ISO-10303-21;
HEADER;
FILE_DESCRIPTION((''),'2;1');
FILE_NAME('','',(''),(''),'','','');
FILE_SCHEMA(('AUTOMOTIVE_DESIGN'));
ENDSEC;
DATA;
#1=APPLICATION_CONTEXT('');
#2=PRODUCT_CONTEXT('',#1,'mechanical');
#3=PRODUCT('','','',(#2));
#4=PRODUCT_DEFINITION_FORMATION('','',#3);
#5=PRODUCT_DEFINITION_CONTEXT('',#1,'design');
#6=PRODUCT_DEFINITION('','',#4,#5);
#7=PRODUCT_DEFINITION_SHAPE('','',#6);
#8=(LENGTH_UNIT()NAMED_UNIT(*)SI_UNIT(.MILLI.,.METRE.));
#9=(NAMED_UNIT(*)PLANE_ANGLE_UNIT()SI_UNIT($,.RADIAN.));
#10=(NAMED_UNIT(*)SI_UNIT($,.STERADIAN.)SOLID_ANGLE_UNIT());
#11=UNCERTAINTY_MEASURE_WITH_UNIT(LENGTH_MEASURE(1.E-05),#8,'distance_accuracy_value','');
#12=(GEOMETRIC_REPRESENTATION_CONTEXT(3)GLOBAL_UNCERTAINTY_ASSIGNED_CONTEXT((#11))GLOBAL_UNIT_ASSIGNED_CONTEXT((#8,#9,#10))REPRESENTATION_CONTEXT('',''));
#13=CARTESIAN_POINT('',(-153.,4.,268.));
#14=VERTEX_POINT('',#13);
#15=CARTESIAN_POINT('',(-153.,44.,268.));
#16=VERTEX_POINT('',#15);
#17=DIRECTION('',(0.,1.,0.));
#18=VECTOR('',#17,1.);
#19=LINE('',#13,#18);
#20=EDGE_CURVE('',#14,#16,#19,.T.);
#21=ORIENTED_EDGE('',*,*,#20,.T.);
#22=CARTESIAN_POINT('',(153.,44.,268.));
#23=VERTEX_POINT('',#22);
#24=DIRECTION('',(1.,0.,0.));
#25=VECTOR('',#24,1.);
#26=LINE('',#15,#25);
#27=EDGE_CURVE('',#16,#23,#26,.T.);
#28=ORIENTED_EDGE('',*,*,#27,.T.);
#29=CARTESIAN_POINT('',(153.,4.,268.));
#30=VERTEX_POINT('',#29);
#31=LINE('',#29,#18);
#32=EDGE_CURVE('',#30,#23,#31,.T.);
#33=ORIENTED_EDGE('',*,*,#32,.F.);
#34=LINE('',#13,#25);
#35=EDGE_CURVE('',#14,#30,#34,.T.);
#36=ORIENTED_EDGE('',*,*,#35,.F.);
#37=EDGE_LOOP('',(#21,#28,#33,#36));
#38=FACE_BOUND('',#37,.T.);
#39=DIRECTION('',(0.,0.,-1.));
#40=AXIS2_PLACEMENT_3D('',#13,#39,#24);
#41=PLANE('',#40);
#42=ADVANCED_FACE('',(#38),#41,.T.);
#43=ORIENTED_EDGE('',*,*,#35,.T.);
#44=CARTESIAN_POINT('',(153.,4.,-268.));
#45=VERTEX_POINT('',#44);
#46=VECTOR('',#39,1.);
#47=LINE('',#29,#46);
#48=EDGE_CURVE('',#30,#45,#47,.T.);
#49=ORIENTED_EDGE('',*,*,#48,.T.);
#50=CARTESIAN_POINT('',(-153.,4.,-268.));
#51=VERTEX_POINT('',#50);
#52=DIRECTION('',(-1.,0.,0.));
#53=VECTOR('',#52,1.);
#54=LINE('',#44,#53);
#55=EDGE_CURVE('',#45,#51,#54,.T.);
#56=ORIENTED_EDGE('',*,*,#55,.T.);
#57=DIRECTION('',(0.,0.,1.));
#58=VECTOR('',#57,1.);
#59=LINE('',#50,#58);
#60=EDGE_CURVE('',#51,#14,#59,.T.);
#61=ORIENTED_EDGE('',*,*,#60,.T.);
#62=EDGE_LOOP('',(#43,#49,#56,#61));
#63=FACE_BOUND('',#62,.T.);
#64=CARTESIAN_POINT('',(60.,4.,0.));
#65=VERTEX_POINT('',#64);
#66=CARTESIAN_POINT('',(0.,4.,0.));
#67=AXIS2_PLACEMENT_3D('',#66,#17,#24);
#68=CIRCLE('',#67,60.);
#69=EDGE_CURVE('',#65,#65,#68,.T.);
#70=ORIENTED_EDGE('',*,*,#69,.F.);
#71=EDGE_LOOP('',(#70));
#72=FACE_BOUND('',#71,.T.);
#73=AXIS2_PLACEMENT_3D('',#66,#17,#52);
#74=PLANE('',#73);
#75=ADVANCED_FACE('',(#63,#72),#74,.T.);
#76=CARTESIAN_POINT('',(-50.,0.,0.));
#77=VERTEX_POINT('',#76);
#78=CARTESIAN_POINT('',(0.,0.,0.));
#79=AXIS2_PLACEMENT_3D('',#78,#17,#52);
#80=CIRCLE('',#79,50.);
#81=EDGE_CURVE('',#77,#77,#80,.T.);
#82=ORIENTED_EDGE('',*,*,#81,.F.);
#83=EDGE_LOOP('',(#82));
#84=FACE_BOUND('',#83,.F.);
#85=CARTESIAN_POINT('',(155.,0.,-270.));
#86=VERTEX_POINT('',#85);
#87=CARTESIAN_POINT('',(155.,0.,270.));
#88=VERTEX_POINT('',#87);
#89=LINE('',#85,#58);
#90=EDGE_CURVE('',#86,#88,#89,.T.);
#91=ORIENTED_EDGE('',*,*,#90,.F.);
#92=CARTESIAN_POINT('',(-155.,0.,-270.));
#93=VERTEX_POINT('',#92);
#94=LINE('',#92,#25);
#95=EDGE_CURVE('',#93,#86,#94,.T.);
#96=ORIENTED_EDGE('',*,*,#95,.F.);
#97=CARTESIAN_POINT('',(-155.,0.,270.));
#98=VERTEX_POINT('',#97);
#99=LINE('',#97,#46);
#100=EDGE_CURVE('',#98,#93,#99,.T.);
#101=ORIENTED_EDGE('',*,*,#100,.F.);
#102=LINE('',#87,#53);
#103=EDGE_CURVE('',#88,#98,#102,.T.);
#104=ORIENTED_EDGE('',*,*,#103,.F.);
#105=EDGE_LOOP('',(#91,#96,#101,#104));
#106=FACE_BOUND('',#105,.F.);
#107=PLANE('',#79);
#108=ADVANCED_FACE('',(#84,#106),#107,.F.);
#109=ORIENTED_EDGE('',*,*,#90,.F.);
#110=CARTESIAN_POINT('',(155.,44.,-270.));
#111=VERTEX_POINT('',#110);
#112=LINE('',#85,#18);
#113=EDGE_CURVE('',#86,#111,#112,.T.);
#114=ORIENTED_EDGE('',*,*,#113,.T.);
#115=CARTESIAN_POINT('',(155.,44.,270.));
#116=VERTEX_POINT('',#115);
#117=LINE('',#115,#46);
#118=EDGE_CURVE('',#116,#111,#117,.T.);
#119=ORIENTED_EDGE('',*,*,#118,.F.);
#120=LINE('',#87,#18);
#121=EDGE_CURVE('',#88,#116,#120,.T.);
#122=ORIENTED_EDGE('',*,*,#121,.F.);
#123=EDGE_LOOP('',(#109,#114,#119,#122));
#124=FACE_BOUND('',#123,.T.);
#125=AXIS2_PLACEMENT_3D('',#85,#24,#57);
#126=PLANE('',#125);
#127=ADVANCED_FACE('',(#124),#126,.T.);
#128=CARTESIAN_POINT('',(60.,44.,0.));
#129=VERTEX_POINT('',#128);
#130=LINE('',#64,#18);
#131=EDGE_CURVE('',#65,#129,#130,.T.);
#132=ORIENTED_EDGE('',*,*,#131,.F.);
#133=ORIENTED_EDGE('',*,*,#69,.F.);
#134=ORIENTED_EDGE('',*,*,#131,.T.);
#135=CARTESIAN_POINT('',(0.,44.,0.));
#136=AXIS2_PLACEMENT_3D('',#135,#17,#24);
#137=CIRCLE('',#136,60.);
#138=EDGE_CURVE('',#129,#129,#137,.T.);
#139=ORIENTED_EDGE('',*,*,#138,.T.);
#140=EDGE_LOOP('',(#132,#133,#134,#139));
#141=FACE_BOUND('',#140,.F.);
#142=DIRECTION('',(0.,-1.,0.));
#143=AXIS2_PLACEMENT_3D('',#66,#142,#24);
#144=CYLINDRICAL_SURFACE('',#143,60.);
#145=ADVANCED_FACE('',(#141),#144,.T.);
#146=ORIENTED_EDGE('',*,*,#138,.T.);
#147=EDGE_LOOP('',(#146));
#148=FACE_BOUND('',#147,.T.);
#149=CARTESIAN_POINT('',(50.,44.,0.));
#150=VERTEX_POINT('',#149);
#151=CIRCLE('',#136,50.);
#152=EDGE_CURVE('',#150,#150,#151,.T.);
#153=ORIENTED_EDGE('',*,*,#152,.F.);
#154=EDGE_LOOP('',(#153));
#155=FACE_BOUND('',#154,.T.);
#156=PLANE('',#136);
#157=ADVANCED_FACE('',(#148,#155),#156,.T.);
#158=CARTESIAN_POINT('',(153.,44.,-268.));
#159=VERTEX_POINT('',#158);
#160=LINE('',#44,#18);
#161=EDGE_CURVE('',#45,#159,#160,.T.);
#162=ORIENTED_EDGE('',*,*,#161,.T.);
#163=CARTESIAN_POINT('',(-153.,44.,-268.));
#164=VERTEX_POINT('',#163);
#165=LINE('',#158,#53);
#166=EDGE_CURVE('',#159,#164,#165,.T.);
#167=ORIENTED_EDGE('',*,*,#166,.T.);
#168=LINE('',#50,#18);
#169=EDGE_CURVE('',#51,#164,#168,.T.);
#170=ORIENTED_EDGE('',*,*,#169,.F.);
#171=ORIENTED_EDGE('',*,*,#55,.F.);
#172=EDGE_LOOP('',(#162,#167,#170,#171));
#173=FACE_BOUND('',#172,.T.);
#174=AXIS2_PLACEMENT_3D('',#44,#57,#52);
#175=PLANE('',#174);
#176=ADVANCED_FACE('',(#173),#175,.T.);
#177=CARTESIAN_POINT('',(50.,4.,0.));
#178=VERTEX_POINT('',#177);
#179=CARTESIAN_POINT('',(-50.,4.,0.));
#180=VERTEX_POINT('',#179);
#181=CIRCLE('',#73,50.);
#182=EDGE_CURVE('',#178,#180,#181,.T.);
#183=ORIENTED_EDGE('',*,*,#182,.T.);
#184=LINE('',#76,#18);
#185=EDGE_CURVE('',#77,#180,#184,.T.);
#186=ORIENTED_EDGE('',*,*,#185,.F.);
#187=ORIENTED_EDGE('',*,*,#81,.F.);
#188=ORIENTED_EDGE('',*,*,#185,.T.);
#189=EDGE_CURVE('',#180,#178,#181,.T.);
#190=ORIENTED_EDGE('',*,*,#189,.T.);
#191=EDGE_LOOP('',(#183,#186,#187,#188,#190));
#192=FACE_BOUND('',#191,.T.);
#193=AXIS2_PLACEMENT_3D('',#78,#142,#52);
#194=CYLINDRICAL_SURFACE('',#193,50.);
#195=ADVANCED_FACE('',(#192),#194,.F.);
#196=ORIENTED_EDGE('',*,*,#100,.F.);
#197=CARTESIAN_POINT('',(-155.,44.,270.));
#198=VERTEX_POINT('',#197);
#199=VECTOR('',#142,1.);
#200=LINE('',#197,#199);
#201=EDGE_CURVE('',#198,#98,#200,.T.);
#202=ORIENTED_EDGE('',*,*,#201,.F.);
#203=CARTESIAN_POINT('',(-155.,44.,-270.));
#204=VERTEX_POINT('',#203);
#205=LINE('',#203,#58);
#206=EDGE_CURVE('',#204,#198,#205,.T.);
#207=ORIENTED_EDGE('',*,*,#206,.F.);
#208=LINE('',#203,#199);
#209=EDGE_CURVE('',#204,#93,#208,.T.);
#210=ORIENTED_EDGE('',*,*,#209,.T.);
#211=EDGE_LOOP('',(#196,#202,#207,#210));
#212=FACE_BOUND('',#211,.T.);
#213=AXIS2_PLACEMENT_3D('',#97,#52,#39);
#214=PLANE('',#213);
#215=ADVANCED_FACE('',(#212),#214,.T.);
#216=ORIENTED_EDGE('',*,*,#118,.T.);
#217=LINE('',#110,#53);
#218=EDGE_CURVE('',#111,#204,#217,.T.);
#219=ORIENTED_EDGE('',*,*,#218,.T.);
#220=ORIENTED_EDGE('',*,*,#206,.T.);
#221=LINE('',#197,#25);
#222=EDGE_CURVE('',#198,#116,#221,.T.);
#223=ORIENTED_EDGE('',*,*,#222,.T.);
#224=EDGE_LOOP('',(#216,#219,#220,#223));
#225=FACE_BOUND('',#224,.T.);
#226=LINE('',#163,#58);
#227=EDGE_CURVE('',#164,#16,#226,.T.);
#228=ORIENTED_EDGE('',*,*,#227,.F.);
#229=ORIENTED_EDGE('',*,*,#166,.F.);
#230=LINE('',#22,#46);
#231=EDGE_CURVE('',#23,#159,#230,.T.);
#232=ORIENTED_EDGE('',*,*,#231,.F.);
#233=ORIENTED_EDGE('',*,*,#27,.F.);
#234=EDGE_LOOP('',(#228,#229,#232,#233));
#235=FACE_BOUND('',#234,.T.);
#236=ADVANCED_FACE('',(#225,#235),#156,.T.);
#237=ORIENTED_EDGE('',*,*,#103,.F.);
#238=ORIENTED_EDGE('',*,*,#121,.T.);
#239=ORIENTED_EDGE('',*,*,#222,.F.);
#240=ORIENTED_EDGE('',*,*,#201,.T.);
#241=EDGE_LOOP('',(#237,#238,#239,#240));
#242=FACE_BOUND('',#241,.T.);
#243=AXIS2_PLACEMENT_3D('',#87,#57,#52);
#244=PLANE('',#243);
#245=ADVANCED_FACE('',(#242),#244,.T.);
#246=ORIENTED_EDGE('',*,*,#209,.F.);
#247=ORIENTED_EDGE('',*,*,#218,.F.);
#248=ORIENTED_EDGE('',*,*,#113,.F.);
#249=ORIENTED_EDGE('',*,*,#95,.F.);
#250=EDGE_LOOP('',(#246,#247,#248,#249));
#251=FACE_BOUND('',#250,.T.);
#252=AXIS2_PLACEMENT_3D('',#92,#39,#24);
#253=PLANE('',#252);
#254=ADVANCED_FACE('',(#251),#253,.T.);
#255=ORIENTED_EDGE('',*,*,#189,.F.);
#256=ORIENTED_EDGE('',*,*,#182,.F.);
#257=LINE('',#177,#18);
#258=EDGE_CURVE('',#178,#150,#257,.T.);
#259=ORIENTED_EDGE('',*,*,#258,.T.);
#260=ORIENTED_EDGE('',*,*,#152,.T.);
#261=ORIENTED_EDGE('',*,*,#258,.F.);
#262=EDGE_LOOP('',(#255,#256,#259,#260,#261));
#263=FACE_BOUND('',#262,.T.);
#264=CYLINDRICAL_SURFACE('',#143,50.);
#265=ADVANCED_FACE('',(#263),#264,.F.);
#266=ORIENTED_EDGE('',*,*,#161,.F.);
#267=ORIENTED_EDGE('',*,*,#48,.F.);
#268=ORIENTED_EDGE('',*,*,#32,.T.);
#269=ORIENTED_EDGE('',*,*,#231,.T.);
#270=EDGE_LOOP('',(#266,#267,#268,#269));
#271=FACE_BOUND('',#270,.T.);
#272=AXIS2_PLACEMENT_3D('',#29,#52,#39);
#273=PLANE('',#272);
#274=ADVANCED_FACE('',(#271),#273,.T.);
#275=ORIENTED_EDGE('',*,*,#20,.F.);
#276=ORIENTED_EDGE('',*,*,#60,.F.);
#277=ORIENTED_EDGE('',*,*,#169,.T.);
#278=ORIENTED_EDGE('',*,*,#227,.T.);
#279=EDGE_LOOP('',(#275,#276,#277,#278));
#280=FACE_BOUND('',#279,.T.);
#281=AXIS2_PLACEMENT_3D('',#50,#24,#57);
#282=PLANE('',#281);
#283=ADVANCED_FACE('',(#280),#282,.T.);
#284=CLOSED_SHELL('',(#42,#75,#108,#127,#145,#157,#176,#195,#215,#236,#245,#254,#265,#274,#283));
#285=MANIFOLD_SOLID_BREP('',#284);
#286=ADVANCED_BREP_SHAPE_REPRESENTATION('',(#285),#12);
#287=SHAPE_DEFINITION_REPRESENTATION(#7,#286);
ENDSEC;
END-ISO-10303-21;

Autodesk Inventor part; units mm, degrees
ref_plane "YZ Plane" through (0, 0, 0) normal (1, 0, 0) x (0, 1, 0)
ref_plane "XZ Plane" through (0, 0, 0) normal (0, 1, 0) x (-1, 0, 0)
ref_plane "XY Plane" through (0, 0, 0) normal (0, 0, 1) x (1, 0, 0)
sketch "Эскиз1" plane through (0, 0, 0) normal (0, 1, 0) x (-1, 0, 0)
  line L0 (-155, 270) -> (155, 270)
  line L1 (155, 270) -> (155, -270)
  line L2 (155, -270) -> (-155, -270)
  line L3 (-155, -270) -> (-155, 270)
  line L4 (-155, 270) -> (155, -270) construction
  line L5 (155, 270) -> (-155, -270) construction
  circle A0 centre (0, 0) radius 50
  dimension "d0" = 310
  dimension "d1" = 540
  dimension "d2" = 100
extrude "Выдавливание1" add sketch "Эскиз1" along normal blind 4
sketch "Эскиз2" plane through (0, 4, 0) normal (0, 1, 0) x (1, 0, 0)
  line L0 (153, 268) -> (-153, 268)
  line L1 (-153, 268) -> (-153, -268)
  line L2 (-153, -268) -> (153, -268)
  line L3 (153, -268) -> (153, 268)
  line L4 (153, 268) -> (-153, -268) construction
  line L5 (-153, 268) -> (153, -268) construction
  line L6 (-155, 270) -> (-155, -270) projected
  line L7 (155, 270) -> (-155, 270)
  line L8 (-155, 270) -> (-155, -270)
  line L9 (-155, -270) -> (155, -270)
  line L10 (155, -270) -> (155, 270)
  line L11 (155, 270) -> (-155, -270) construction
  line L12 (-155, 270) -> (155, -270) construction
  point P0 (0, 0)
  dimension "d5" = 306
  dimension "d6" = 536
extrude "Выдавливание2" add sketch "Эскиз2" along normal blind 40
sketch "Эскиз3" plane through (0, 4, 0) normal (0, 1, 0) x (1, 0, 0)
  circle A0 centre (0, 0) radius 50
  circle A1 centre (0, 0) radius 60
  dimension "d9" = 120
extrude "Выдавливание3" add sketch "Эскиз3" along normal blind 40
properties part number "ЗЕМЛЯЕМКОСТЬ"
